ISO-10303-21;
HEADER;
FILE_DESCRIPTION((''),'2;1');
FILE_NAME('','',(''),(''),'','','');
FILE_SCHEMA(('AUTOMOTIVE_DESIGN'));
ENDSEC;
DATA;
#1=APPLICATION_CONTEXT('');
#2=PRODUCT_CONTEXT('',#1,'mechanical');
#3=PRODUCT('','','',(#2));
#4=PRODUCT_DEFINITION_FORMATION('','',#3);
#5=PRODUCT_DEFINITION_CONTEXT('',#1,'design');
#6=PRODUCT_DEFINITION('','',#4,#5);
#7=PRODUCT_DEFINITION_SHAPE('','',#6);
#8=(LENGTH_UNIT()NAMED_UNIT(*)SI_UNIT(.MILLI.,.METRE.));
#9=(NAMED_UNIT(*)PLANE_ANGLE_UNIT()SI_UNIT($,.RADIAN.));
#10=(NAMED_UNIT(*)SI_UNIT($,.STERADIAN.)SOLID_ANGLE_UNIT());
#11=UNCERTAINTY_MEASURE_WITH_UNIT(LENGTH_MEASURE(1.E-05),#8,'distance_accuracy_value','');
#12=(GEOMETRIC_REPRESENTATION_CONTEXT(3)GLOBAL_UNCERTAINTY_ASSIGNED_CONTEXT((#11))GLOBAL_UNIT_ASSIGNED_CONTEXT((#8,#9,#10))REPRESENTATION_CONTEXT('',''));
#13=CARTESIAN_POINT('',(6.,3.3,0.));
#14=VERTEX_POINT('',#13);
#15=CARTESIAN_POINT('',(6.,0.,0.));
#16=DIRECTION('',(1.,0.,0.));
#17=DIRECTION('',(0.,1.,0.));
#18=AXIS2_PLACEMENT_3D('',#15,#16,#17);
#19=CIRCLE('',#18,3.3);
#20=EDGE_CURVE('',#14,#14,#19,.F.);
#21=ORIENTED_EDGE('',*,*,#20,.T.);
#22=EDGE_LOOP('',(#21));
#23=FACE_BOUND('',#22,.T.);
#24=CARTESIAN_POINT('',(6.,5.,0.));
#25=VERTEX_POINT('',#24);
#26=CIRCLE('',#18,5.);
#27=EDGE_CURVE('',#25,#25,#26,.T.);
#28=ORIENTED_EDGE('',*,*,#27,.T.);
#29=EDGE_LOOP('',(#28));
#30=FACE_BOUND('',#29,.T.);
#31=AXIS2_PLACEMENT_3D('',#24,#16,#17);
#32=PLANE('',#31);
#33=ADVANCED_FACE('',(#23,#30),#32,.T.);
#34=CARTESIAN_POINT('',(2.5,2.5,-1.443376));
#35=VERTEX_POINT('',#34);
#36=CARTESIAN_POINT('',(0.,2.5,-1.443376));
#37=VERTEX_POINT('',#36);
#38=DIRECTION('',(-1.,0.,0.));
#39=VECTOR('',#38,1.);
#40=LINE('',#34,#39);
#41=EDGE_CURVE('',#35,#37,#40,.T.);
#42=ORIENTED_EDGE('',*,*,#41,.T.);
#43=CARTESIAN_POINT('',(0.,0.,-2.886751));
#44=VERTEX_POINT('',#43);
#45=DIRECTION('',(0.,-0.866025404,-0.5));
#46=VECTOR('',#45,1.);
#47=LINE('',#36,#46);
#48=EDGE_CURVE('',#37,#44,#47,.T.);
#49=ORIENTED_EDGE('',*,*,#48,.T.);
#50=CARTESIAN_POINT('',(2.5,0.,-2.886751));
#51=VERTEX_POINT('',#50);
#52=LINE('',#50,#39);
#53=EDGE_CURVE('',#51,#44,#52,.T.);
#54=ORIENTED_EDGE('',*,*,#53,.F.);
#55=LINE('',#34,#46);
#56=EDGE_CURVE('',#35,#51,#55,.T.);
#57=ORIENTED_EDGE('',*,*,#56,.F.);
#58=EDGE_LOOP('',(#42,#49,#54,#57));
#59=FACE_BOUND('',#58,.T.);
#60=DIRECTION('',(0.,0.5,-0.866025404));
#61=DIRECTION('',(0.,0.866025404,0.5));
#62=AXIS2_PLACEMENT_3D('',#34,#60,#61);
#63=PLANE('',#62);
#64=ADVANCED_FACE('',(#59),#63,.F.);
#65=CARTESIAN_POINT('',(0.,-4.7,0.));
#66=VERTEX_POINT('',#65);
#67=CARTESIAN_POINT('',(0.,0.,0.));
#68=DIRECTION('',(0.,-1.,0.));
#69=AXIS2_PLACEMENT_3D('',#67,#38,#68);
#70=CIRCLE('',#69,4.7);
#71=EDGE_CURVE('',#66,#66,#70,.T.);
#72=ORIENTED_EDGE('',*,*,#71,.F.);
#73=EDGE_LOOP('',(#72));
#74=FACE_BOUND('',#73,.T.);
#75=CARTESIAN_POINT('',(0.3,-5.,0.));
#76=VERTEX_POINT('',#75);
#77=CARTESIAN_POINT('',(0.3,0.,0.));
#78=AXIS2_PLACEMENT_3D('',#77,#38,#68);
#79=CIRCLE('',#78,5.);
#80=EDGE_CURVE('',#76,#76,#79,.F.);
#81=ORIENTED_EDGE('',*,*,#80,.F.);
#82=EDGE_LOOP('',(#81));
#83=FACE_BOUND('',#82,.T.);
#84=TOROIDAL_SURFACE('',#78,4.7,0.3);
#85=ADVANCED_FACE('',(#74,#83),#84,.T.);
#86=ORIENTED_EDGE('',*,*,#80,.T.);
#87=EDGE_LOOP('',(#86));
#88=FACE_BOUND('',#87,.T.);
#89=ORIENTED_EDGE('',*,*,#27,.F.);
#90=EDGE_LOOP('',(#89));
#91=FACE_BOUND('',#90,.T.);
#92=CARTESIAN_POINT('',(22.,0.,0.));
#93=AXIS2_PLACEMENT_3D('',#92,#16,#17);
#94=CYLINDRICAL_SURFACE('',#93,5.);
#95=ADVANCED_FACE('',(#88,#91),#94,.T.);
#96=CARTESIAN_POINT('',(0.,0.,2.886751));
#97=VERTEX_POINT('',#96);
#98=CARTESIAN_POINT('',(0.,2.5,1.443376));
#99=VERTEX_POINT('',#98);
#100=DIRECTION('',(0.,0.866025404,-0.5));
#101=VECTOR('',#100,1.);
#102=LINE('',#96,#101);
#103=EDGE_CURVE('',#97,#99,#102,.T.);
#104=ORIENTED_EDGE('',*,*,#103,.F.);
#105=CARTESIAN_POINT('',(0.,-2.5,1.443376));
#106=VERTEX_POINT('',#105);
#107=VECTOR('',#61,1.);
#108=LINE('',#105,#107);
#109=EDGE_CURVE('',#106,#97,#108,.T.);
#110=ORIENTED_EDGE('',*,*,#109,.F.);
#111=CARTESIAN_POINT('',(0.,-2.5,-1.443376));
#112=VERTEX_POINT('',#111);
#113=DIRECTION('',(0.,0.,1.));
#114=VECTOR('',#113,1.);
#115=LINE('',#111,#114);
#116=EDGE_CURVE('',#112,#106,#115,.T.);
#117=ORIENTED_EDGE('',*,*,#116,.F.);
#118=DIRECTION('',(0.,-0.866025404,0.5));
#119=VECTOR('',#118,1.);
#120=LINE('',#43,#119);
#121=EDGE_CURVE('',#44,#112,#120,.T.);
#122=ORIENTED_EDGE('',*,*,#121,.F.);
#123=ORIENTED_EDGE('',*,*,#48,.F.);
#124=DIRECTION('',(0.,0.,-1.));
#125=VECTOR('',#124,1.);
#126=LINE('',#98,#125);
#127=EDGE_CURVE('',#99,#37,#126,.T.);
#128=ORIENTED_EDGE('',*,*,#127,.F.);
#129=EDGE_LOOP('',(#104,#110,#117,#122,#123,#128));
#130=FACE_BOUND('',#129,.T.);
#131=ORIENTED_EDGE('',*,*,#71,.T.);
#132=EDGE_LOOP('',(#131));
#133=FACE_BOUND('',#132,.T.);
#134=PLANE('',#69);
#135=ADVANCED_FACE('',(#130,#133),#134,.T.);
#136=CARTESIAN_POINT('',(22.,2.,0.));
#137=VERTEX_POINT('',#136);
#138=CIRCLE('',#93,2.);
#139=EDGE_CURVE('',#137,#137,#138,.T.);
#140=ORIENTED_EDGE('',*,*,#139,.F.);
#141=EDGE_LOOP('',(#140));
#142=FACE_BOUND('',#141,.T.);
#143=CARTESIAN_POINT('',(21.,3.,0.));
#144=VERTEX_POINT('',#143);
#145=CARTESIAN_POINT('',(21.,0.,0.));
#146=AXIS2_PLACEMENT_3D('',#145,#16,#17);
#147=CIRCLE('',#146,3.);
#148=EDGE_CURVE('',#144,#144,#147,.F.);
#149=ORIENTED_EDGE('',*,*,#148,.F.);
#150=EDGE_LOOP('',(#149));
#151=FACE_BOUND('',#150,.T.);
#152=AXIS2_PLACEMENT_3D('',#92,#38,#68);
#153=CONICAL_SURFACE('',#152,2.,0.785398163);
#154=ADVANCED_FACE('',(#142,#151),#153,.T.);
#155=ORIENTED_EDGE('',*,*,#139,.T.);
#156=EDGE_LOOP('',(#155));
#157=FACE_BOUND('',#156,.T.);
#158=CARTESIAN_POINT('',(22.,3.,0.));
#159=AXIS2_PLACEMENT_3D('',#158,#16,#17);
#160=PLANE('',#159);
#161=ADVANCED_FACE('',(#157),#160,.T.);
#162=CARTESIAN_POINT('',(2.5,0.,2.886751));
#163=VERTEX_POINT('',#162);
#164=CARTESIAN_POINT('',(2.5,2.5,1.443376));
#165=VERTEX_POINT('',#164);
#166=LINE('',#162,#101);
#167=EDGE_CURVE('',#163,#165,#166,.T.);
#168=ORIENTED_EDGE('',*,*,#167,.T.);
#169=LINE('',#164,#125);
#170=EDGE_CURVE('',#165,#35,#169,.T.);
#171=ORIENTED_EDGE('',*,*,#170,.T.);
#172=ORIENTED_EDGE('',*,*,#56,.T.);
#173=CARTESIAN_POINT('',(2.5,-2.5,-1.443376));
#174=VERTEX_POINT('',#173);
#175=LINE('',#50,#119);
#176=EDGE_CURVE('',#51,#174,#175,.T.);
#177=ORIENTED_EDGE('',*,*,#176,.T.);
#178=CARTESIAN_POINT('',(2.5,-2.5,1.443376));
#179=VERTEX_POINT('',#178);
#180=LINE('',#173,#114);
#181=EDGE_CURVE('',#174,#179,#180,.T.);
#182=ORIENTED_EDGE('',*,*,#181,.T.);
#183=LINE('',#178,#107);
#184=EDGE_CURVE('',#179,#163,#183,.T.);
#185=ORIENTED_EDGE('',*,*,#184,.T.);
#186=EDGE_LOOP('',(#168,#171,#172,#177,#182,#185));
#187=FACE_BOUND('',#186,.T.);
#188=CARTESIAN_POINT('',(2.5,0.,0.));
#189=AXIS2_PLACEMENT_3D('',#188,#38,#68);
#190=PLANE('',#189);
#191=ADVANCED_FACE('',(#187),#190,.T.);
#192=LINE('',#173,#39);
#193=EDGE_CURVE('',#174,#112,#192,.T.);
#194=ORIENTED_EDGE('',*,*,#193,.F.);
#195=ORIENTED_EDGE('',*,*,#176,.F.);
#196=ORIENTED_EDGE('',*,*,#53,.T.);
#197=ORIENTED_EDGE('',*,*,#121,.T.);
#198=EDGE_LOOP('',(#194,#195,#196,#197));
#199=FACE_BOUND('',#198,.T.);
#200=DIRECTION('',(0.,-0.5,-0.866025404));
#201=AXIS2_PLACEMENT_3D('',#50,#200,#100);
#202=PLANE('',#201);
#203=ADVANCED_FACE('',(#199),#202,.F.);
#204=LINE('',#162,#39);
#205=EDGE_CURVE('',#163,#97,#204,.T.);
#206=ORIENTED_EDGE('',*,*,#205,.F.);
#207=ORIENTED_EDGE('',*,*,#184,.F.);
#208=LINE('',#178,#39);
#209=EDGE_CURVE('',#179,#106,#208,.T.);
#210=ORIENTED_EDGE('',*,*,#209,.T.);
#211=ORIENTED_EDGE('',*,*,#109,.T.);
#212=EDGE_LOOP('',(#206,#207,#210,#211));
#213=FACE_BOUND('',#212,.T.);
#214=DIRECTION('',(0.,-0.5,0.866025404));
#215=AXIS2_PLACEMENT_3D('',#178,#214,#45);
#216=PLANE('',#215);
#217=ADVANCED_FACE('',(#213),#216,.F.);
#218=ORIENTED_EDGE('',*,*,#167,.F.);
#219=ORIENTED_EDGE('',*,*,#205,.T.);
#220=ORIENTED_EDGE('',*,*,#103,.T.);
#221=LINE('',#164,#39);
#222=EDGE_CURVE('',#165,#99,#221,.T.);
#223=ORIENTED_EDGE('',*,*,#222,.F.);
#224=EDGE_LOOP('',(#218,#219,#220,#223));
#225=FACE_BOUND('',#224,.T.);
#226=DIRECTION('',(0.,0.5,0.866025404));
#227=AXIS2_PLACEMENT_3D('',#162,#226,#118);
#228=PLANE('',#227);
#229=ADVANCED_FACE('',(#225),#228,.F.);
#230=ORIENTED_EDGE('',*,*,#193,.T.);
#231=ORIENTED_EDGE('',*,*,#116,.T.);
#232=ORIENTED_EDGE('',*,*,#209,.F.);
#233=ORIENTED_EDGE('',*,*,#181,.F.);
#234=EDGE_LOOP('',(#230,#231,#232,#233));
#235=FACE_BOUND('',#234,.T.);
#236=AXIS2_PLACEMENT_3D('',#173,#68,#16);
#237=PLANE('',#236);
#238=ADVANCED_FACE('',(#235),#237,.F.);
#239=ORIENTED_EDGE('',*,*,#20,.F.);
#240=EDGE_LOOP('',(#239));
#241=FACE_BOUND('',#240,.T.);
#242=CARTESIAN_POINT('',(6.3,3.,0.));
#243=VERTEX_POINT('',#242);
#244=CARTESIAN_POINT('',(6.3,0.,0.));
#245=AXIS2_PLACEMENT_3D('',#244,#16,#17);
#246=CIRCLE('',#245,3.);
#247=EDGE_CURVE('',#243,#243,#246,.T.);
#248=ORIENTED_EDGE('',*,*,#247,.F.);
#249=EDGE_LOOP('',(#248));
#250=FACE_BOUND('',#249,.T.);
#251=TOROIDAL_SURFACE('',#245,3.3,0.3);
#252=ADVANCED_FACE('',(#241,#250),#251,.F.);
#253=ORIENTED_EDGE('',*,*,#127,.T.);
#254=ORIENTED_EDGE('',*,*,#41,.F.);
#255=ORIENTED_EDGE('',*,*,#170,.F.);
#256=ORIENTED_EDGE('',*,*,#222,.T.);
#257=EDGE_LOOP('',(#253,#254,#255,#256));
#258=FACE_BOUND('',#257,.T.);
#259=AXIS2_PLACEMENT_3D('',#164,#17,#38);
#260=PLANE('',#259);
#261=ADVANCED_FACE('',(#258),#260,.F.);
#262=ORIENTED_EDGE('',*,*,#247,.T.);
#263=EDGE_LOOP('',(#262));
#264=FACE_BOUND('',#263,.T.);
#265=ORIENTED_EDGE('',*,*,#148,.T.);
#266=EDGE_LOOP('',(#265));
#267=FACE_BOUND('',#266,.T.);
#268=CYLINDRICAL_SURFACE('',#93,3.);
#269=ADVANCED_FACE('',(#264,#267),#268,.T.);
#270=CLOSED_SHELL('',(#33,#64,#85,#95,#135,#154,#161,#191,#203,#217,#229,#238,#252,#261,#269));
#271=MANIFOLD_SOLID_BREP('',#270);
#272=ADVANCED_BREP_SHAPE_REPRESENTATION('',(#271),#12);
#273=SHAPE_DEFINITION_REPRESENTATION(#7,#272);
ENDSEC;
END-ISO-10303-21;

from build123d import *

# Parameters (mm, degrees)
CUT_EXTRUDE_1_DEPTH = 2.5
FILLET_1_R          = 0.3
CHAMFER_1_SIZE      = 1


with BuildPart() as part:
    # Эскиз1 → Повернуть1 (revolve)
    with BuildSketch(Plane.XY):
        Polygon((0, 0), (0, 5), (6, 5), (6, 3), (22, 3), (22, 0), align=None)
    revolve(axis=Axis((22, 0, 0), (-1, 0, 0)))

    # Эскиз2 → Вырез-Вытянуть1 (cut)
    with BuildSketch(Plane.ZY):
        Polygon((-1.443375673, 2.5), (-2.886751346, 0), (-1.443375673, -2.5), (1.443375673, -2.5), (2.886751346, 0), (1.443375673, 2.5), align=None)
    extrude(amount=-CUT_EXTRUDE_1_DEPTH, mode=Mode.SUBTRACT)

    # Скругление1
    fillet_1_edges = [part.edges().sort_by_distance(p)[0] for p in [
        (6, -3, 0),
        (0, -5, 0),
    ]]
    fillet(fillet_1_edges, radius=FILLET_1_R)

    # Фаска1
    chamfer_1_edges = [part.edges().sort_by_distance(p)[0] for p in [
        (22, -3, 0),
    ]]
    chamfer(chamfer_1_edges, length=CHAMFER_1_SIZE)


solid = part.part
